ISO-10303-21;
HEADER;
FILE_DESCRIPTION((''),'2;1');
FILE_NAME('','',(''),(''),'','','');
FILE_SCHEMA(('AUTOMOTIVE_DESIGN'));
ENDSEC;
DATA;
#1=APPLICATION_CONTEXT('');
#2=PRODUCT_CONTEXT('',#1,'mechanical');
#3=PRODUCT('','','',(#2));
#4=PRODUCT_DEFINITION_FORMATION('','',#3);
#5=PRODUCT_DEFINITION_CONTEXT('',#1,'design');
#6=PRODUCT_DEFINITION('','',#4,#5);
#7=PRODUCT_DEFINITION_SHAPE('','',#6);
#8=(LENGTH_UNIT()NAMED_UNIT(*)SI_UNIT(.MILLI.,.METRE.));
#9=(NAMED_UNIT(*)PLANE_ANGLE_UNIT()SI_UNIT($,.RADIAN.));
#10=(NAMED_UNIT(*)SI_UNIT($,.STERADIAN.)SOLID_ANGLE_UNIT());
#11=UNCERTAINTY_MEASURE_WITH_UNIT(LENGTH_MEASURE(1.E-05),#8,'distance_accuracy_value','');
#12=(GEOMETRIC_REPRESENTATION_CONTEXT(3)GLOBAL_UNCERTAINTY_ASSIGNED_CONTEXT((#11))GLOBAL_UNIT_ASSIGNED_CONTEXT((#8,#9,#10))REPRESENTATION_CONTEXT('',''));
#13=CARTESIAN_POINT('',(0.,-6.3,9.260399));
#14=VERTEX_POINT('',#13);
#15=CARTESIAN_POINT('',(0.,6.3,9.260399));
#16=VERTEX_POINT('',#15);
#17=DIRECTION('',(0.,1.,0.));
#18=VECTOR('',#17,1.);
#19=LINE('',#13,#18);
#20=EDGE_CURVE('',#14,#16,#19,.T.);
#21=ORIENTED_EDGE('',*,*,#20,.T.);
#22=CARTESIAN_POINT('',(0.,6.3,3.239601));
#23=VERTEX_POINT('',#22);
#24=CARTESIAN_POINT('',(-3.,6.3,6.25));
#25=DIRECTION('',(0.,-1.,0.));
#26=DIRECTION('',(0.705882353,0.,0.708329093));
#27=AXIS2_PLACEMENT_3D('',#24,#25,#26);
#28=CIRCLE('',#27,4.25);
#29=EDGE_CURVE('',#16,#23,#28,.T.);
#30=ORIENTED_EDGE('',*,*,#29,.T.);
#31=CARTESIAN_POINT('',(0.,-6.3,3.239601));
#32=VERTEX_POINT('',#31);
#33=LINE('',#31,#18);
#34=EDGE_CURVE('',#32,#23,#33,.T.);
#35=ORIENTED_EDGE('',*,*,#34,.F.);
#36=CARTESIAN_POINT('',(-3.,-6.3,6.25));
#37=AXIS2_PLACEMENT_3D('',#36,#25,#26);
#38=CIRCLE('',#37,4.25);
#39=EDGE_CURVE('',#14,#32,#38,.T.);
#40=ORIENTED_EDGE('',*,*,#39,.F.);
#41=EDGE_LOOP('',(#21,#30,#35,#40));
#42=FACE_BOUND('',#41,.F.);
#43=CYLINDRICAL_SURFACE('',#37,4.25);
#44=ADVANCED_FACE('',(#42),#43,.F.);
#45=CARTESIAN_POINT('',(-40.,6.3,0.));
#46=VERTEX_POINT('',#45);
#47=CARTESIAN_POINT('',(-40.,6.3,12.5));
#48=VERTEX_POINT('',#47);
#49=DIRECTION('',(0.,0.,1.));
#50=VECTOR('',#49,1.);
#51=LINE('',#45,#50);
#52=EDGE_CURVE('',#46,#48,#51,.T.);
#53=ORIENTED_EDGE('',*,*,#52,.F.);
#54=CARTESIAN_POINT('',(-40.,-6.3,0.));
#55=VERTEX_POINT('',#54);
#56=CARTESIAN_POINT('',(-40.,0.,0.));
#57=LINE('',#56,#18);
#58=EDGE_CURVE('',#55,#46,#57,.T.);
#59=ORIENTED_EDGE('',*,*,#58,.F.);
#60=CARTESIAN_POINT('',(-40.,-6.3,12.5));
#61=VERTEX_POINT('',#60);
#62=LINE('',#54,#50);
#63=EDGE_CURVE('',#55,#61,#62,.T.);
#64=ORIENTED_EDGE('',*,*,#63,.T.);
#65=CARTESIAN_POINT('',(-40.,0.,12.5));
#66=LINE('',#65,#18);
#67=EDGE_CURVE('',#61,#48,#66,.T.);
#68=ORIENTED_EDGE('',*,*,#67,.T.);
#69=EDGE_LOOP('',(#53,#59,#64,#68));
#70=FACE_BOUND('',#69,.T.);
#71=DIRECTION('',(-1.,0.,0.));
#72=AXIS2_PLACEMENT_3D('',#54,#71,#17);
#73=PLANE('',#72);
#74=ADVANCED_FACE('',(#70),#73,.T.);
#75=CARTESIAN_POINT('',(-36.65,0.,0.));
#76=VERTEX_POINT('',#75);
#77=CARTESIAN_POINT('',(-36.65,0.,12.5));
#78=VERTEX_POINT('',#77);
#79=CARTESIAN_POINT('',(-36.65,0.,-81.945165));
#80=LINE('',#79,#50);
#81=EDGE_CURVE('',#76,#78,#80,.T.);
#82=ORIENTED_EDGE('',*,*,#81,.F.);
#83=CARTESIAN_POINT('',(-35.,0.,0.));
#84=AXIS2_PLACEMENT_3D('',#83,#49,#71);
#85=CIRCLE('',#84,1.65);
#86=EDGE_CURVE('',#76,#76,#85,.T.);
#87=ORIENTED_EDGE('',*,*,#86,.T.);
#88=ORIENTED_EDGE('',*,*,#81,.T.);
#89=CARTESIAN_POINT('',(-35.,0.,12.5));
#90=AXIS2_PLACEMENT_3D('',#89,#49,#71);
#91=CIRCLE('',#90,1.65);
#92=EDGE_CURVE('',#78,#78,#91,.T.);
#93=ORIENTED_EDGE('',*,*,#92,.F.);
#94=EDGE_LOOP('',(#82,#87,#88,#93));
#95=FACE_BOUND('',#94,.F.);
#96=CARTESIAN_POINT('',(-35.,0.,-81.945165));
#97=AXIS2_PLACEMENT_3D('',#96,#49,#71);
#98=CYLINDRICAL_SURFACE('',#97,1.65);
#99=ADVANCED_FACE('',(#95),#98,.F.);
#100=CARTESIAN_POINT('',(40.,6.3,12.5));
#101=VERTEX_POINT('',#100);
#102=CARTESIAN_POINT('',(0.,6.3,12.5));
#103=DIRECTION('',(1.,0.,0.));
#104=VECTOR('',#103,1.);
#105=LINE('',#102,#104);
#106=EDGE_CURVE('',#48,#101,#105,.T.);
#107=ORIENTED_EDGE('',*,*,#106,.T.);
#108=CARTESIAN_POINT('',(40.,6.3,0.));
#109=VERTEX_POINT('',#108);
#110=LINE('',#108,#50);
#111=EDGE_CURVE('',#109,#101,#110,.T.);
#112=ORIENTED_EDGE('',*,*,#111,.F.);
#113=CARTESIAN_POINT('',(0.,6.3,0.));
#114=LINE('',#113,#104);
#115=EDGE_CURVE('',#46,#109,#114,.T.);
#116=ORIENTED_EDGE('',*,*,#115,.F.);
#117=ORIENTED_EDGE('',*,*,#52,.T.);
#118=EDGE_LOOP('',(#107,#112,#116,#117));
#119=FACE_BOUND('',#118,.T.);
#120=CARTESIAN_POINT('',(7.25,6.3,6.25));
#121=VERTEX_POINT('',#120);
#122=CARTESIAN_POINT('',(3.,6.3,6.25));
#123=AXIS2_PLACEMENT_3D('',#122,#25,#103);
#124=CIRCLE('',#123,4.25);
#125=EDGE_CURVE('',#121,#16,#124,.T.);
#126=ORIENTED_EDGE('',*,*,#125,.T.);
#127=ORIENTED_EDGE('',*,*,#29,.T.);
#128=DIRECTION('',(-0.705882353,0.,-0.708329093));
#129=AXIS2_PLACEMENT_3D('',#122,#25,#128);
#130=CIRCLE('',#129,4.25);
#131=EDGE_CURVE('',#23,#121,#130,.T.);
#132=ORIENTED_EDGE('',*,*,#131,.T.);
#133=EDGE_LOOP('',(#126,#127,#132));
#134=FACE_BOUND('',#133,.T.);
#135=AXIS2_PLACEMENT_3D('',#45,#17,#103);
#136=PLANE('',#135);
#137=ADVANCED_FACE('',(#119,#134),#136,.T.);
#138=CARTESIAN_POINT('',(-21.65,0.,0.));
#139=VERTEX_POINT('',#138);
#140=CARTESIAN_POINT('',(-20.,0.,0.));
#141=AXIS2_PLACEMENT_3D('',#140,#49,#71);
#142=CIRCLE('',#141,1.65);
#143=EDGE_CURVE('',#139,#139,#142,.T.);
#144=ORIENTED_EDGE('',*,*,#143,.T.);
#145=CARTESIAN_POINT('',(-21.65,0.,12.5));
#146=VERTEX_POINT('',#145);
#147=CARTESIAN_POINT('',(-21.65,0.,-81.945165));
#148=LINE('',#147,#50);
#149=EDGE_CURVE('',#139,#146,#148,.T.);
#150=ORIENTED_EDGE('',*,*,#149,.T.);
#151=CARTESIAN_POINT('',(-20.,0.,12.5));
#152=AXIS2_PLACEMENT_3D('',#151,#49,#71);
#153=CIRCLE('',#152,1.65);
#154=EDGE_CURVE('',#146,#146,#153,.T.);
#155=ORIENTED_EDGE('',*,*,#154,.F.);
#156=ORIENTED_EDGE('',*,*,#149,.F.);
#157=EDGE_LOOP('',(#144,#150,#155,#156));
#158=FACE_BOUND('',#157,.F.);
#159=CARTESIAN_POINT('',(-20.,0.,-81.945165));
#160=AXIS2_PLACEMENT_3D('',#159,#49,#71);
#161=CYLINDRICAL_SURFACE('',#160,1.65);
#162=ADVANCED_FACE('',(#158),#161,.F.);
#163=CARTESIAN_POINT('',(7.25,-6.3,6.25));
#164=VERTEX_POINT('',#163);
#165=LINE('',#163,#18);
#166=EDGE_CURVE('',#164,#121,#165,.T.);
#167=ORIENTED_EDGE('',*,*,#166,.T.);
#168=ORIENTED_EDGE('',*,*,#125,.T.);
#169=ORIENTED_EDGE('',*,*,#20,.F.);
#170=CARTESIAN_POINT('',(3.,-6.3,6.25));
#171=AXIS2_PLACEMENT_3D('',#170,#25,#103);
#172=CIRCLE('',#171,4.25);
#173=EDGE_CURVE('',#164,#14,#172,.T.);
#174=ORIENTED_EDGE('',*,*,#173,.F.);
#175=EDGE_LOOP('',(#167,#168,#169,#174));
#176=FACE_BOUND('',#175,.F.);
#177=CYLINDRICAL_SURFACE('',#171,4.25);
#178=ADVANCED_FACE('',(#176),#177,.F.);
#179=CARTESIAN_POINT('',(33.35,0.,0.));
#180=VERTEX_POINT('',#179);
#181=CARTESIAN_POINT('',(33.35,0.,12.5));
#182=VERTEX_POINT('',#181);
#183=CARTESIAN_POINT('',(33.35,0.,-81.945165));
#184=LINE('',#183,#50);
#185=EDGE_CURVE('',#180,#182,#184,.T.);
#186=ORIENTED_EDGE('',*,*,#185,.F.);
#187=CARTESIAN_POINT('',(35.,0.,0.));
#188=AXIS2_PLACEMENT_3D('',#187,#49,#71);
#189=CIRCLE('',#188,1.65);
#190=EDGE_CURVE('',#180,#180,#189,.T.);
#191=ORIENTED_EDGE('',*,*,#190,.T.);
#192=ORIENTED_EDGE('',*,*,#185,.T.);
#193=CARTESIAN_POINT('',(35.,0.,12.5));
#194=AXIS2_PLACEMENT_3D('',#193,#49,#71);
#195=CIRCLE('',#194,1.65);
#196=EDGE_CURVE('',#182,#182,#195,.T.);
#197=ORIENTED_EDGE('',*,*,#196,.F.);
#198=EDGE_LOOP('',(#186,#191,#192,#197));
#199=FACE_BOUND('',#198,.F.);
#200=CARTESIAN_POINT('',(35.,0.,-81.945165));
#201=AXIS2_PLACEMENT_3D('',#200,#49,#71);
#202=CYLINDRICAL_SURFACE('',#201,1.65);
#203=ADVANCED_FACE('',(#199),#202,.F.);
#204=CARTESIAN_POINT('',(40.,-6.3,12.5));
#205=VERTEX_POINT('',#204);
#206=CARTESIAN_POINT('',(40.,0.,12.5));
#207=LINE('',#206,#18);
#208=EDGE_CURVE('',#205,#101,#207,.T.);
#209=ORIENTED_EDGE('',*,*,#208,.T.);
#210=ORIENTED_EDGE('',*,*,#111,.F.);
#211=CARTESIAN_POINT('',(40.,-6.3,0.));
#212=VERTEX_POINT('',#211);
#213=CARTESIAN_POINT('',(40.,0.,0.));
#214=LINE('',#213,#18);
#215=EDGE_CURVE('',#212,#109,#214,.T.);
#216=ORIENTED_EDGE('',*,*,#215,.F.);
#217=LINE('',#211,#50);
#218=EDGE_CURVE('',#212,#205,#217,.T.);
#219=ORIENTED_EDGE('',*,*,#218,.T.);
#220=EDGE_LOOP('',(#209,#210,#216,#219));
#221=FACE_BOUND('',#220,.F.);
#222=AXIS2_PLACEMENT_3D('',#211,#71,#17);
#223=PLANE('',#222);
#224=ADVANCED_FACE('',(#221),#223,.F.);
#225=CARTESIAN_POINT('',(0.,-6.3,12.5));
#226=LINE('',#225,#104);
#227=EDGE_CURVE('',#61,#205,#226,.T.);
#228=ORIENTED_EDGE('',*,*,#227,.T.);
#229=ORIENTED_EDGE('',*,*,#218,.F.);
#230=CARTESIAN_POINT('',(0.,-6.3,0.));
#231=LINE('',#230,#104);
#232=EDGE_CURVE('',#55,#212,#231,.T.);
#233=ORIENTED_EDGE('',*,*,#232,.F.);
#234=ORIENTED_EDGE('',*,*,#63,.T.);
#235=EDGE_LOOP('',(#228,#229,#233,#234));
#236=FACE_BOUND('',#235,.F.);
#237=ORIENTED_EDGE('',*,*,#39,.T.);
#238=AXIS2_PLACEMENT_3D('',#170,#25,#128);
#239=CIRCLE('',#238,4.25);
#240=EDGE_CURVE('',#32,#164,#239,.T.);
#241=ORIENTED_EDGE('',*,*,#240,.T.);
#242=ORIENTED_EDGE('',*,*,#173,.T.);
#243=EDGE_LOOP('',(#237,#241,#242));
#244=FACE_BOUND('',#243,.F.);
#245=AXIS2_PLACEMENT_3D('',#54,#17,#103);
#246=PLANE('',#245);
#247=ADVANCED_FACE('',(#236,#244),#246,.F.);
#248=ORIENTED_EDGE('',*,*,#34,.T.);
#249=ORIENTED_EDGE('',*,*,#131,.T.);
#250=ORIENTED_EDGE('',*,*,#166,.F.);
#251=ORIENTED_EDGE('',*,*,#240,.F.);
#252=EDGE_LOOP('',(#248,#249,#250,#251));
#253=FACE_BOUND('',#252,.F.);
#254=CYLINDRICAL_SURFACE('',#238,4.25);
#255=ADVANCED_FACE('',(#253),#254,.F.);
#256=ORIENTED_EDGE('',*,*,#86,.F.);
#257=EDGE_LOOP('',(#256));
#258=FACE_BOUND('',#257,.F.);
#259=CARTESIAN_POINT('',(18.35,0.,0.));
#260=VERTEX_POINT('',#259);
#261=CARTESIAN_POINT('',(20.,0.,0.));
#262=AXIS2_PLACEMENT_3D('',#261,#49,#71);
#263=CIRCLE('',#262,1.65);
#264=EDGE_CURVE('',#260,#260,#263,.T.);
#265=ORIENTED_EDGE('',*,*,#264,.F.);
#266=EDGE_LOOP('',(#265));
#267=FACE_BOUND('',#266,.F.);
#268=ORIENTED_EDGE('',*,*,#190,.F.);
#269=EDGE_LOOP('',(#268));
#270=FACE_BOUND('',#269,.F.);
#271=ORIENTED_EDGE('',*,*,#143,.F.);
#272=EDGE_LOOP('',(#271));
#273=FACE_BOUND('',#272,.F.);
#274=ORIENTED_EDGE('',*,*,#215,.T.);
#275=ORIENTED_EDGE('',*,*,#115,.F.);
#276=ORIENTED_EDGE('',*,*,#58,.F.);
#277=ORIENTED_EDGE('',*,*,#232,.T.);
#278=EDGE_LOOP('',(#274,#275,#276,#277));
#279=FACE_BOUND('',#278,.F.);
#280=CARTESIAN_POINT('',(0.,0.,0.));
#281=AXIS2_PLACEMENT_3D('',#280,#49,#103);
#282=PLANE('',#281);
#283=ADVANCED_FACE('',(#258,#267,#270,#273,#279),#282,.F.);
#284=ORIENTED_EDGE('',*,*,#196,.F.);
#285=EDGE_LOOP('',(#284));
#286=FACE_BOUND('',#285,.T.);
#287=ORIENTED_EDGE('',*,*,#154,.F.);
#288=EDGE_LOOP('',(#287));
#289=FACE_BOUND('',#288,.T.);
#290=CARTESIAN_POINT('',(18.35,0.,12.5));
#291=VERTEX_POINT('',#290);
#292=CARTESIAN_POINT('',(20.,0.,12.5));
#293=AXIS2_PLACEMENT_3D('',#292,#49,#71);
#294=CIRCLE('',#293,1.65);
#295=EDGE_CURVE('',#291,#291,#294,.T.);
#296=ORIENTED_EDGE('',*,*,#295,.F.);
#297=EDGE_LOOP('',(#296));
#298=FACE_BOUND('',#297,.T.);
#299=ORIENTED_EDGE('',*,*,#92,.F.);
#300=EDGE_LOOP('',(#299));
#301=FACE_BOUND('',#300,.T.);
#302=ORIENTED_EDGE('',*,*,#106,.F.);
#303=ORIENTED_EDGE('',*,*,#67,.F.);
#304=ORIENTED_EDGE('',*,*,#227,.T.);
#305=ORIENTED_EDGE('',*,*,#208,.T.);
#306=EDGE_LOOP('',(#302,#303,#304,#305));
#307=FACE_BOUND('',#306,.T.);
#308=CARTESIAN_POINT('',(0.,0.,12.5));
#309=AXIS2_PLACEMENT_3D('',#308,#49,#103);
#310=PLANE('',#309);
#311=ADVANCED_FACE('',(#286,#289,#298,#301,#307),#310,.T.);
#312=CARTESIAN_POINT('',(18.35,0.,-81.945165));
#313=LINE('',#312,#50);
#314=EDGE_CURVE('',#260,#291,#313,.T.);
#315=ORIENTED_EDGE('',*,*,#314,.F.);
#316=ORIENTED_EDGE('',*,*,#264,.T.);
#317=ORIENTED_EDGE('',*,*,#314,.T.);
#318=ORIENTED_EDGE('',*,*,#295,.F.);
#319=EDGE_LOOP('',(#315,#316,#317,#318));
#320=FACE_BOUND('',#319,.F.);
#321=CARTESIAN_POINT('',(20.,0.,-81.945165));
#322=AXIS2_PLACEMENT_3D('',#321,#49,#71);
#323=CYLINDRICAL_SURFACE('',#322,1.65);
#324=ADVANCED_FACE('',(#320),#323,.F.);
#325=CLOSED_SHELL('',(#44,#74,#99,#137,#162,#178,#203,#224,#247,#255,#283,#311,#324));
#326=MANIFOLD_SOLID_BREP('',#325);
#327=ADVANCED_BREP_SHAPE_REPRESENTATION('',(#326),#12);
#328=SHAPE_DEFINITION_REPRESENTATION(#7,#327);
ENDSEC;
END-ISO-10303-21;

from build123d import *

# Parameters (mm, degrees)
F0_W     = 80
F0_H     = 12.6
F1_DEPTH = 12.5
F3_DEPTH = 12.6
F4_D     = 3.3


with BuildPart() as f1:
    # F0 (on Top) → F1 (new body)
    with BuildSketch(Plane.XY):
        Rectangle(F0_W, F0_H)
    extrude(amount=F1_DEPTH)

    # F2 (on face) → F3 (cut, through all)
    with BuildSketch(Plane.XZ.offset(6.3)):
        with BuildLine():
            ThreePointArc((0, 3.2396013553), (4.6298006013, 2.324920383), (7.25, 6.25))
            ThreePointArc((7.25, 6.25), (4.6298006013, 10.175079617), (0, 9.2603986447))
            ThreePointArc((0, 9.2603986447), (0.925079617, 7.8798006013), (1.25, 6.25))
            ThreePointArc((1.25, 6.25), (0.925079617, 4.6201993987), (0, 3.2396013553))
        make_face()
        with BuildLine():
            ThreePointArc((1.25, 6.25), (0.925079617, 7.8798006013), (0, 9.2603986447))
            ThreePointArc((0, 9.2603986447), (-1.25, 6.25), (0, 3.2396013553))
            ThreePointArc((0, 3.2396013553), (0.925079617, 4.6201993987), (1.25, 6.25))
        make_face()
        with BuildLine():
            ThreePointArc((0, 3.2396013553), (-1.25, 6.25), (0, 9.2603986447))
            ThreePointArc((0, 9.2603986447), (-7.25, 6.25), (0, 3.2396013553))
        make_face()
    extrude(amount=-F3_DEPTH, mode=Mode.SUBTRACT)

    # F4 (through all)
    with Locations(Plane(origin=(0, 0, 0), x_dir=(1, 0, 0), z_dir=(0, 0, -1))):
        with Locations((-20, 0), (-35, 0), (20, 0), (35, 0)):
            Hole(F4_D / 2)


solid = f1.part
